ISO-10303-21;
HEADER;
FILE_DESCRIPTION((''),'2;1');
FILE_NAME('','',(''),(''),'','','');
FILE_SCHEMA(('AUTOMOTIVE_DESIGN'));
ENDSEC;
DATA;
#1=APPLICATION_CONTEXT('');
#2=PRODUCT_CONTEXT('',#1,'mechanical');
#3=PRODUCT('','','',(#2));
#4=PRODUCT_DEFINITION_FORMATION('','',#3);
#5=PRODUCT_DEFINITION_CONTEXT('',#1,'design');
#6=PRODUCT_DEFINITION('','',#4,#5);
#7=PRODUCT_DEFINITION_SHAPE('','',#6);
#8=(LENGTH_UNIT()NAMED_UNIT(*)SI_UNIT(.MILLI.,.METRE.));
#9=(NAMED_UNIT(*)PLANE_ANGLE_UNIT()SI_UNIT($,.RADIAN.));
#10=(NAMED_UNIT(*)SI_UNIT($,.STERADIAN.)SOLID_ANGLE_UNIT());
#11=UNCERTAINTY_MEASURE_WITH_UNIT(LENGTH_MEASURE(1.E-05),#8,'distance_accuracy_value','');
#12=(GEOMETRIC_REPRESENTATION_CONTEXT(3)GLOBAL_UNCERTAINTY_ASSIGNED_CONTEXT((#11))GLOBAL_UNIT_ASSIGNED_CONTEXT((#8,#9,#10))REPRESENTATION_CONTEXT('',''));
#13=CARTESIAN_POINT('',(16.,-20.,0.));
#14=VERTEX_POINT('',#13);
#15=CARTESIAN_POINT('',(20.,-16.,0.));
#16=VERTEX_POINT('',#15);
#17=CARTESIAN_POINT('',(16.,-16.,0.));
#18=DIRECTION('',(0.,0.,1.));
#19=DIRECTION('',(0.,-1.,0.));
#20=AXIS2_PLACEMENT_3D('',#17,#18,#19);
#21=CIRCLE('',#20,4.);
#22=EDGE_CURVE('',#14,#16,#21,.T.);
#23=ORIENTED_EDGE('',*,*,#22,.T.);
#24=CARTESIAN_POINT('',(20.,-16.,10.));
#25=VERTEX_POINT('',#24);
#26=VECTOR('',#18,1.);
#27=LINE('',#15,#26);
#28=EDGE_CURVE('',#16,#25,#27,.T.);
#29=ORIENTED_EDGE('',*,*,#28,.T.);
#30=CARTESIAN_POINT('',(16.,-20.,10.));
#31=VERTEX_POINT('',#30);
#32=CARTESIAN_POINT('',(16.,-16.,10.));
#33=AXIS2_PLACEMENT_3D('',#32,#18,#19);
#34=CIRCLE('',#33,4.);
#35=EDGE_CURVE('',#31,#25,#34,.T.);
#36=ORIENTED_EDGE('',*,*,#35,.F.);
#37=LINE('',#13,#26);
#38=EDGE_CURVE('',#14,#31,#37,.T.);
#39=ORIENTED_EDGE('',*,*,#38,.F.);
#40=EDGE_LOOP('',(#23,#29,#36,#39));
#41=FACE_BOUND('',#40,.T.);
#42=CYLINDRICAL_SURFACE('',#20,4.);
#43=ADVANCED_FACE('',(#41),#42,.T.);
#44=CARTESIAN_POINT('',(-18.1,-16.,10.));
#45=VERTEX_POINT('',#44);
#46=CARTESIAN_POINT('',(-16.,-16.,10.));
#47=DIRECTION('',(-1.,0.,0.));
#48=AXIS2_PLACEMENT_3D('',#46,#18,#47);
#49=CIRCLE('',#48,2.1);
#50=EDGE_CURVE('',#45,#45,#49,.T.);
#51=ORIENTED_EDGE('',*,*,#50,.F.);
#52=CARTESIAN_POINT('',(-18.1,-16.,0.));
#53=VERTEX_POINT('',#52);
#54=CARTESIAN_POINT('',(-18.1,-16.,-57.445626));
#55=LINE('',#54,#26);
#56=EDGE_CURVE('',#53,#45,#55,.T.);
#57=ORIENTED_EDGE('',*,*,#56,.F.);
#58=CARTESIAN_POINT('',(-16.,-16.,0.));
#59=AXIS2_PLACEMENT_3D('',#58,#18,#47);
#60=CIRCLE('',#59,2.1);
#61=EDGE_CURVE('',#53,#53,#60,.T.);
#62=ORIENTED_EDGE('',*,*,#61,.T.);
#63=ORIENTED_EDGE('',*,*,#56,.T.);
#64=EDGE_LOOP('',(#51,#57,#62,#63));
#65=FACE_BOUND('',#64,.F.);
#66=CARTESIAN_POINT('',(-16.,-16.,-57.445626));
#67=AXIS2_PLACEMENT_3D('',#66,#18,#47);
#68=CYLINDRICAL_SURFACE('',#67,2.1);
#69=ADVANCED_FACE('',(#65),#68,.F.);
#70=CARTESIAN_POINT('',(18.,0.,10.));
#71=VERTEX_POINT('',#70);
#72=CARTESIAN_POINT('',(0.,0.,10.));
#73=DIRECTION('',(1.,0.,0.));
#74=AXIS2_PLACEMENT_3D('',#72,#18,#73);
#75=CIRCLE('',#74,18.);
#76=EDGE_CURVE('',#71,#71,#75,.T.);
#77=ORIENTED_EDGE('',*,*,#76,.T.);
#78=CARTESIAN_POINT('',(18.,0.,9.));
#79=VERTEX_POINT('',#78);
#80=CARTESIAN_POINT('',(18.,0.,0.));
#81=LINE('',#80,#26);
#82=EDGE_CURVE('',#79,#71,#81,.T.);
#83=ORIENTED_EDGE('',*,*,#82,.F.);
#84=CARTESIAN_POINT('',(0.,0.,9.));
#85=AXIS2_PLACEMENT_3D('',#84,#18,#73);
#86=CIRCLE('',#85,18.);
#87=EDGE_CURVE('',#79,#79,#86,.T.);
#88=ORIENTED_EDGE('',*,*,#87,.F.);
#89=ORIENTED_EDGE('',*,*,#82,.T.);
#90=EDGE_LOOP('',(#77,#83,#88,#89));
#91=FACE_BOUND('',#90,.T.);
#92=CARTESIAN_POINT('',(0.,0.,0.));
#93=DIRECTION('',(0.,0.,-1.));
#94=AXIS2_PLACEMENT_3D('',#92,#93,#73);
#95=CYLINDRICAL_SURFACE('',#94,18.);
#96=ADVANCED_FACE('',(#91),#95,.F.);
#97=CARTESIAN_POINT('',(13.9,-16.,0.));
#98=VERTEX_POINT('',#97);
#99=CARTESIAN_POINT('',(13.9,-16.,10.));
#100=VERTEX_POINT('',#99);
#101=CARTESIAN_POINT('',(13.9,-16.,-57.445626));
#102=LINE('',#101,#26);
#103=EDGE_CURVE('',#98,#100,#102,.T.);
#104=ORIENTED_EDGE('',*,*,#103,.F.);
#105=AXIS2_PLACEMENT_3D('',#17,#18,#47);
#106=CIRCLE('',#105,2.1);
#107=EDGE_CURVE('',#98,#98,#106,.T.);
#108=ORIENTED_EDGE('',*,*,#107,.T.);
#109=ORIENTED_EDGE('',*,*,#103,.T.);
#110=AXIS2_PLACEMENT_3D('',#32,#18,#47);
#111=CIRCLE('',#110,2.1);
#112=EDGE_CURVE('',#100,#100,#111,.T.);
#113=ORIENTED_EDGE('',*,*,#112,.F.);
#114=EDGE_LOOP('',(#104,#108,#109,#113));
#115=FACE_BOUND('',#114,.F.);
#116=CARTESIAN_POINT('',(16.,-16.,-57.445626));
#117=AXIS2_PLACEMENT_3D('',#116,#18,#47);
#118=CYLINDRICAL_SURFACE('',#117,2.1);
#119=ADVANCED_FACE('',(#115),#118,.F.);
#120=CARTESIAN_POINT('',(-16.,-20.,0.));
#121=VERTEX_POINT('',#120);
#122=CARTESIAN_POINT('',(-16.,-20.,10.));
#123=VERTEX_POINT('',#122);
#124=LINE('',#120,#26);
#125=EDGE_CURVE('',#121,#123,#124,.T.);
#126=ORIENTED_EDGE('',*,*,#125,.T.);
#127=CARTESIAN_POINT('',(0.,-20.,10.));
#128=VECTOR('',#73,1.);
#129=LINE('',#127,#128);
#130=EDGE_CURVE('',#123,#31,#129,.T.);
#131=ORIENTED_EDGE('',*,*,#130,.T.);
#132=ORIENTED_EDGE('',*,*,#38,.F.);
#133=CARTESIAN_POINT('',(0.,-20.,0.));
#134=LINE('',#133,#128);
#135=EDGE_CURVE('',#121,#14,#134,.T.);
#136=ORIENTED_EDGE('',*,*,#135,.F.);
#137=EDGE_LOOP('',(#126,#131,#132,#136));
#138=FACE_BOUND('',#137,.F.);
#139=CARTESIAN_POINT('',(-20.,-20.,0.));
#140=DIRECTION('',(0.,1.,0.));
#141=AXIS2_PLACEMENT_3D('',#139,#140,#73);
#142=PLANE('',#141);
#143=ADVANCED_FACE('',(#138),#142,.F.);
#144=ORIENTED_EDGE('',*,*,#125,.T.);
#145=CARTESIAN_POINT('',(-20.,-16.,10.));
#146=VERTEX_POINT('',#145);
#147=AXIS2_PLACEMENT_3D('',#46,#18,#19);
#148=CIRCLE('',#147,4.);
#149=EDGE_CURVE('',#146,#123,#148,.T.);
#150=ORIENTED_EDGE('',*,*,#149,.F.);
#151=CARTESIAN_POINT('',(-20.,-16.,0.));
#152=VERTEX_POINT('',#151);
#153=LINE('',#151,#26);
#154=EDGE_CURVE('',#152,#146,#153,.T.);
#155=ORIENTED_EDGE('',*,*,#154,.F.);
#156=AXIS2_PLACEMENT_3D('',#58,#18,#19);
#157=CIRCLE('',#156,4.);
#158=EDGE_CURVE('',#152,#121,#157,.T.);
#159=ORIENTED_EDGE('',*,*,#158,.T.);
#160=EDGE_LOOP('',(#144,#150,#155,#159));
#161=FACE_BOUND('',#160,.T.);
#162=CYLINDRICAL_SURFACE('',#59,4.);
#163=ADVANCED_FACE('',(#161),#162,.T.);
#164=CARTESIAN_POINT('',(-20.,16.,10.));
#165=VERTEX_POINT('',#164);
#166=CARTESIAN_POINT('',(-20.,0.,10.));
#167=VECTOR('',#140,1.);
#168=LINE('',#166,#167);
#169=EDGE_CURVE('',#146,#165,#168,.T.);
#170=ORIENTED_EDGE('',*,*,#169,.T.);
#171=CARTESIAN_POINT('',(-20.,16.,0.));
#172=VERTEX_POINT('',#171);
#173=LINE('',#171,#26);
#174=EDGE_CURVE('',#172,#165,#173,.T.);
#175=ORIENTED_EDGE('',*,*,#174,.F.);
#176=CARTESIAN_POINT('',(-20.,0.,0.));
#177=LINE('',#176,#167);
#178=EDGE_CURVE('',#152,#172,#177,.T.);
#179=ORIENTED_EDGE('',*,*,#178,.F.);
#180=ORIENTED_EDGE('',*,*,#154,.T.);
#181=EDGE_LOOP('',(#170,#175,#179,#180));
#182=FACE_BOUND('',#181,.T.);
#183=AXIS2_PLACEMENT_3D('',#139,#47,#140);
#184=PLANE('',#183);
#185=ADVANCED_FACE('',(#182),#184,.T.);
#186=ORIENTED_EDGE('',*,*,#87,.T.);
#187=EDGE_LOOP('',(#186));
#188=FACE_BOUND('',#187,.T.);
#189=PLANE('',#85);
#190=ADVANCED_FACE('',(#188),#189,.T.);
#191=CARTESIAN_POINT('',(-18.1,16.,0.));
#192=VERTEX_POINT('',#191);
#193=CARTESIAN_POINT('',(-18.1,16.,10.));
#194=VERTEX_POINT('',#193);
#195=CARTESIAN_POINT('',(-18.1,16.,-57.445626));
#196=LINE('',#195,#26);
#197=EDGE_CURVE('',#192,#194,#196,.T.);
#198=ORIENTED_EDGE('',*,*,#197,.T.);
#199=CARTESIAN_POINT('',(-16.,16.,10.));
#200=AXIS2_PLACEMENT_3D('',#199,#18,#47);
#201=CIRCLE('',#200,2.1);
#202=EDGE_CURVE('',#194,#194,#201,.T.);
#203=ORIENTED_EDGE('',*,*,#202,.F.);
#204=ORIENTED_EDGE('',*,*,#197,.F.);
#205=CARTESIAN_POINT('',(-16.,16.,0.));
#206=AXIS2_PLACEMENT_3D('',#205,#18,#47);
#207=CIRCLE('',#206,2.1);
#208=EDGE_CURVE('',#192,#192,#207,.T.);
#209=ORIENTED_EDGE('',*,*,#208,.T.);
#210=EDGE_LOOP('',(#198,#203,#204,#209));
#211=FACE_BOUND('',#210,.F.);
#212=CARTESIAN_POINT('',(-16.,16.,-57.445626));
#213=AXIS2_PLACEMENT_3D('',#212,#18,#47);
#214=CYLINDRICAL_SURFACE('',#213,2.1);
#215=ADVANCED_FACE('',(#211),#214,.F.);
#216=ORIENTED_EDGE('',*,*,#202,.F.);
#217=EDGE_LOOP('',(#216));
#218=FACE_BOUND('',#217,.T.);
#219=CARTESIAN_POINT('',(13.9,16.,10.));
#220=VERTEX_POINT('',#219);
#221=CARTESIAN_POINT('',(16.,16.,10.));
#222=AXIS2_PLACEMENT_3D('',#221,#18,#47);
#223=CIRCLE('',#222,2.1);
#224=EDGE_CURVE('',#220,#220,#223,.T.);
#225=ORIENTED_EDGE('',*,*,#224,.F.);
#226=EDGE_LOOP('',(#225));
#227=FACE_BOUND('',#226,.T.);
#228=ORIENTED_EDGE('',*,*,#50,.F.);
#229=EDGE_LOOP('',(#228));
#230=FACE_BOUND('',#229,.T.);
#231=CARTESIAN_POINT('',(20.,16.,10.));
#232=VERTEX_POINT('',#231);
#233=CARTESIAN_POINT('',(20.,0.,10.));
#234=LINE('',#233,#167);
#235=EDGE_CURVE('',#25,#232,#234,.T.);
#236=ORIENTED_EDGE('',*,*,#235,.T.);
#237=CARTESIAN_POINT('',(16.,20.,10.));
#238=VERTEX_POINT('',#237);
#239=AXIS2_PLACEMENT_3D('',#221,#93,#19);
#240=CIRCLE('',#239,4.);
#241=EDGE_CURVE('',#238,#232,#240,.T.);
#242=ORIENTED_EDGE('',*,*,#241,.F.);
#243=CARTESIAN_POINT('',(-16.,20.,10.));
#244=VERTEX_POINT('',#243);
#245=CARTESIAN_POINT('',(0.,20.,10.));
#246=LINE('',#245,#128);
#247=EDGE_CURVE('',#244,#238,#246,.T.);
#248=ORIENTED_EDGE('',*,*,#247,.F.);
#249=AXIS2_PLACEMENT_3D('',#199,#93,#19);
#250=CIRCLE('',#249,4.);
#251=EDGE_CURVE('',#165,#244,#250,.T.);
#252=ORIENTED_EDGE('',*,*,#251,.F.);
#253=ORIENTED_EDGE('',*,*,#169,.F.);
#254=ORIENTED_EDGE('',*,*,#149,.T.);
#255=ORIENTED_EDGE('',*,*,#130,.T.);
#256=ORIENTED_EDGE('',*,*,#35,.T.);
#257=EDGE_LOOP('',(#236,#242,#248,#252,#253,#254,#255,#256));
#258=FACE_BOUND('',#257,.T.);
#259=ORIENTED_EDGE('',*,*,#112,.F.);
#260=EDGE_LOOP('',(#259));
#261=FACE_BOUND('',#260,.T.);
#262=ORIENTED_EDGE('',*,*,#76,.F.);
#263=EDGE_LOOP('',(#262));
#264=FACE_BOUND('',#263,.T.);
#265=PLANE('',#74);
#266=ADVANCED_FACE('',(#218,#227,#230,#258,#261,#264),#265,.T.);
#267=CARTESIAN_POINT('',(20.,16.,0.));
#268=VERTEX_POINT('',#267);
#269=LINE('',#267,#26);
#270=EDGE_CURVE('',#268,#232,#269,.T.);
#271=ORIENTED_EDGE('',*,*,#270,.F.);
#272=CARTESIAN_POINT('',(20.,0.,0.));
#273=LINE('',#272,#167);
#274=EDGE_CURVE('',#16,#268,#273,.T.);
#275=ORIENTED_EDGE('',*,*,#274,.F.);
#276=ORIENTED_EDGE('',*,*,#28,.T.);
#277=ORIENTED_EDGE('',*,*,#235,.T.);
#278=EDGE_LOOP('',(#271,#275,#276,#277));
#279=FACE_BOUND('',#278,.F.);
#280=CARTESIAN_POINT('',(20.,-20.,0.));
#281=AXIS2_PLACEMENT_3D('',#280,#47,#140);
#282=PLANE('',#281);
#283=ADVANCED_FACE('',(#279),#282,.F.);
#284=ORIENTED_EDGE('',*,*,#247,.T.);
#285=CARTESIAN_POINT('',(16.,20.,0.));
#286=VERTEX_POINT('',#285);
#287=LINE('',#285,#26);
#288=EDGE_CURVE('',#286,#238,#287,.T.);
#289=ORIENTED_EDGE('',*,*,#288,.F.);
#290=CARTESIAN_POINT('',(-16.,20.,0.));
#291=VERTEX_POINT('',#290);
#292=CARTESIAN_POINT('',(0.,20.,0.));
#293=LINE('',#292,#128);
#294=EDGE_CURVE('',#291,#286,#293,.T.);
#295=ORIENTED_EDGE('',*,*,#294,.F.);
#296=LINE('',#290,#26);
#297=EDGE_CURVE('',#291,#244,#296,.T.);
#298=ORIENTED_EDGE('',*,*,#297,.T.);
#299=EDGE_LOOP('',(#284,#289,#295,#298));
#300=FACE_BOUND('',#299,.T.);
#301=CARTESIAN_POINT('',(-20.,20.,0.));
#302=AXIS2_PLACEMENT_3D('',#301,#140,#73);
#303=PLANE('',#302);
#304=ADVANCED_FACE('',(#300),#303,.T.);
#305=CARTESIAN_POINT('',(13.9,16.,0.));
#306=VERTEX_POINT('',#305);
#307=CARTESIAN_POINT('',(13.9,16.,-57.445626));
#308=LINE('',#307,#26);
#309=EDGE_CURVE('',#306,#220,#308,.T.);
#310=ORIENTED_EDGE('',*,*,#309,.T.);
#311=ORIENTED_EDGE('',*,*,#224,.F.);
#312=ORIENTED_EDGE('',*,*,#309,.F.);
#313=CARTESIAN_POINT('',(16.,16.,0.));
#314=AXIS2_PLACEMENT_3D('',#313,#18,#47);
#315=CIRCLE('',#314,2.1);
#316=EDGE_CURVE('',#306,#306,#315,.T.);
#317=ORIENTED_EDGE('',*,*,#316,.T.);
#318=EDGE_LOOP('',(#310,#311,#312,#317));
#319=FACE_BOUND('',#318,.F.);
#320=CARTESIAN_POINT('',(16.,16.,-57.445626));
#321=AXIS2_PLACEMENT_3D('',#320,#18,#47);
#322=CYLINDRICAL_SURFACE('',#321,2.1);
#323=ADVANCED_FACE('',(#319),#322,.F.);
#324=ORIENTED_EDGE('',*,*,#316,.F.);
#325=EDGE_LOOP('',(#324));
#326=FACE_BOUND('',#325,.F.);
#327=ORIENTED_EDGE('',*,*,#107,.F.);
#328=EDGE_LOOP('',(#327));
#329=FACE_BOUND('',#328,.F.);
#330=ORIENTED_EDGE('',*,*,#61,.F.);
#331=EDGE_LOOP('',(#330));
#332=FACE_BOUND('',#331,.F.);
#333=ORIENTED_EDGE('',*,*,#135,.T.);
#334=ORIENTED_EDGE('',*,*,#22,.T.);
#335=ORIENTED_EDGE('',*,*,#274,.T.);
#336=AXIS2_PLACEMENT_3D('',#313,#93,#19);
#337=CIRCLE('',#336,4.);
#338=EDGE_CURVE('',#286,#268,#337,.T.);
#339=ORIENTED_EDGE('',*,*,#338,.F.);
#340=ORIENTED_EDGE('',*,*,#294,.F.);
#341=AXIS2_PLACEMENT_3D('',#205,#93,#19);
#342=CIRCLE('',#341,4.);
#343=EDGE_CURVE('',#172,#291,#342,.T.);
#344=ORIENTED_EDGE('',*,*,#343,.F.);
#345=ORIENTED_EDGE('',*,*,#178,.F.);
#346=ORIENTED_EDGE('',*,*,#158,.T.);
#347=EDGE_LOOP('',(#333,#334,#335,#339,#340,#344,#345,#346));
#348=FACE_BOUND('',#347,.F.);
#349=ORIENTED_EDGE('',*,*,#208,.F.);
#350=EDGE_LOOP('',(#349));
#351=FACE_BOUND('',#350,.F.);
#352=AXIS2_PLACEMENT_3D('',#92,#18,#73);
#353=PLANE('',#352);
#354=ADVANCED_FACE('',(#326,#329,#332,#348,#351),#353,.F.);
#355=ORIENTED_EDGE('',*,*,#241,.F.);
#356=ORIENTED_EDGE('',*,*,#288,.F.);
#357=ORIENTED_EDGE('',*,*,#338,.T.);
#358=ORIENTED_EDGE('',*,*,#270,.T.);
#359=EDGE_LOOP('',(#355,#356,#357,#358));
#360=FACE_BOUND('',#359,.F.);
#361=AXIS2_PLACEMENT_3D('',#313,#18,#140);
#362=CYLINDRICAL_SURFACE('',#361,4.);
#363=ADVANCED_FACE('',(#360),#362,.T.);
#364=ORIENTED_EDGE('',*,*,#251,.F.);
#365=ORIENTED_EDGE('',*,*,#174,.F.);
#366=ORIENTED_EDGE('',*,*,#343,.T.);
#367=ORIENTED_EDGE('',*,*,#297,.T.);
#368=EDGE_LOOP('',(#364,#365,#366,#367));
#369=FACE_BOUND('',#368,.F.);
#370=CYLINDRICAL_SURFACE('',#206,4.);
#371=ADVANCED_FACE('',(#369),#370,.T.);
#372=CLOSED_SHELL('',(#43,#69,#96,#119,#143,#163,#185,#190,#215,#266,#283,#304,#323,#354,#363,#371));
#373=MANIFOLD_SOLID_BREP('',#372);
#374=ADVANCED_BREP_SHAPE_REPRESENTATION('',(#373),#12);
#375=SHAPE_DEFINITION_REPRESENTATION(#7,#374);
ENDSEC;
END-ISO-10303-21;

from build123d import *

# Parameters (mm, degrees)
F0_W     = 40
F0_H     = 40
F0_R     = 18
F1_DEPTH = 10
F2_DEPTH = 9
F3_D     = 4.2
F4_R     = 4


with BuildPart() as f1:
    # F0 (on Top) → F1 (new body)
    with BuildSketch(Plane.XY):
        Rectangle(F0_W, F0_H)
        Circle(F0_R, mode=Mode.SUBTRACT)
    extrude(amount=F1_DEPTH)

    # F0 (on Top) → F2 (join)
    with BuildSketch(Plane.XY):
        Circle(F0_R)
    extrude(amount=F2_DEPTH)

    # F3 (through all)
    with Locations(Plane(origin=(0, 0, 0), x_dir=(1, 0, 0), z_dir=(0, 0, -1))):
        with Locations((-16, 16), (-16, -16), (16, -16), (16, 16)):
            Hole(F3_D / 2)

    # F4
    f4_edges = [f1.edges().sort_by_distance(p)[0] for p in [
        (-20, -20, 5),
        (-20, 20, 5),
        (20, 20, 5),
        (20, -20, 5),
    ]]
    fillet(f4_edges, radius=F4_R)


solid = f1.part
